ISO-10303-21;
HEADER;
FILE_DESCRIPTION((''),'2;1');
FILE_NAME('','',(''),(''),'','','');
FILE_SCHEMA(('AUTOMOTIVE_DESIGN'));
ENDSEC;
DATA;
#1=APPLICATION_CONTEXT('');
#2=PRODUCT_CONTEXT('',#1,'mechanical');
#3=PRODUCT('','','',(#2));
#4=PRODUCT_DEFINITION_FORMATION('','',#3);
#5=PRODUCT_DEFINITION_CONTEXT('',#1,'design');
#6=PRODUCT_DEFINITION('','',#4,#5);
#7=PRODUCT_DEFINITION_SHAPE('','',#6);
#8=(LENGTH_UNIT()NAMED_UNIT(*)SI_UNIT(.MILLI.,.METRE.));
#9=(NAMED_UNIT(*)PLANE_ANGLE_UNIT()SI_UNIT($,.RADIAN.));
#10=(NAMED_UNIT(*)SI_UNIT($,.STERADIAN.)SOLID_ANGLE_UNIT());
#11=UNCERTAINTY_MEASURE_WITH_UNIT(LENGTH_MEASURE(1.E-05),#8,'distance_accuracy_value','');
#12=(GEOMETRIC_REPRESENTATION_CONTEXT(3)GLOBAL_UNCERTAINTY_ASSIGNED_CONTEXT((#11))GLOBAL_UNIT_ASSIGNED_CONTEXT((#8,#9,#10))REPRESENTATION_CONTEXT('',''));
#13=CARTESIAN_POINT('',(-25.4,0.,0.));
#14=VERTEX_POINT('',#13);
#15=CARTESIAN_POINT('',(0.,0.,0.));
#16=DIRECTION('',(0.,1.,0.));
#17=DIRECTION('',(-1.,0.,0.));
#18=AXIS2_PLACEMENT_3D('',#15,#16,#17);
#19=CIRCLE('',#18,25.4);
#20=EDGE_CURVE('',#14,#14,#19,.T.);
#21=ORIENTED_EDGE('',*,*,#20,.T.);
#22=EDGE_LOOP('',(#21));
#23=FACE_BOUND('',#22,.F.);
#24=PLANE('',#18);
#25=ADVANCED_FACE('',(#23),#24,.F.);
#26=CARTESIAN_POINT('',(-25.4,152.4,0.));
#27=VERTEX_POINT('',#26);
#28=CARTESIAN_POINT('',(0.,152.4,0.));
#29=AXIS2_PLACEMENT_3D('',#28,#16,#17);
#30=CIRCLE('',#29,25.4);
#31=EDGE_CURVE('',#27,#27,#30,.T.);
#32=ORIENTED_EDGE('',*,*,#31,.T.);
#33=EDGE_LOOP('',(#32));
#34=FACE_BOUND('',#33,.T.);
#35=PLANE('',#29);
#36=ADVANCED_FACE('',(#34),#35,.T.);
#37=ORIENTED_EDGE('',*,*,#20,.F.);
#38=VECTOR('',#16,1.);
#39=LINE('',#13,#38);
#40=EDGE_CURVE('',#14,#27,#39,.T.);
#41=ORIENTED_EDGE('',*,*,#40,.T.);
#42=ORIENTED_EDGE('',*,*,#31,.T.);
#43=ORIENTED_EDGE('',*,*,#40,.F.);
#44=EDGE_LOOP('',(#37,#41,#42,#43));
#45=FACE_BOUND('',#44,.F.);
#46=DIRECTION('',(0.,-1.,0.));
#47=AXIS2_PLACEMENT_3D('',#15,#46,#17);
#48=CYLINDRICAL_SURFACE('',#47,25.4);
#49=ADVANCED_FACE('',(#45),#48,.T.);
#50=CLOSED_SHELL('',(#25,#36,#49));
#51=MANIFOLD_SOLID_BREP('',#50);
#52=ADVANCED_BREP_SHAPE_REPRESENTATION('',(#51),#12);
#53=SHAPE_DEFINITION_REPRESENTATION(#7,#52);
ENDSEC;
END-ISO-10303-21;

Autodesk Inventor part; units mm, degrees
ref_plane "YZ Plane" through (0, 0, 0) normal (1, 0, 0) x (0, 1, 0)
ref_plane "XZ Plane" through (0, 0, 0) normal (0, 1, 0) x (-1, 0, 0)
ref_plane "XY Plane" through (0, 0, 0) normal (0, 0, 1) x (1, 0, 0)
sketch "Sketch1" plane through (0, 0, 0) normal (0, 1, 0) x (-1, 0, 0)
  circle A0 centre (0, 0) radius 25.4
  dimension "d0" = 50.8
extrude "Extrusion1" add sketch "Sketch1" along normal blind 152.4
properties part number "Peg toy peg"
